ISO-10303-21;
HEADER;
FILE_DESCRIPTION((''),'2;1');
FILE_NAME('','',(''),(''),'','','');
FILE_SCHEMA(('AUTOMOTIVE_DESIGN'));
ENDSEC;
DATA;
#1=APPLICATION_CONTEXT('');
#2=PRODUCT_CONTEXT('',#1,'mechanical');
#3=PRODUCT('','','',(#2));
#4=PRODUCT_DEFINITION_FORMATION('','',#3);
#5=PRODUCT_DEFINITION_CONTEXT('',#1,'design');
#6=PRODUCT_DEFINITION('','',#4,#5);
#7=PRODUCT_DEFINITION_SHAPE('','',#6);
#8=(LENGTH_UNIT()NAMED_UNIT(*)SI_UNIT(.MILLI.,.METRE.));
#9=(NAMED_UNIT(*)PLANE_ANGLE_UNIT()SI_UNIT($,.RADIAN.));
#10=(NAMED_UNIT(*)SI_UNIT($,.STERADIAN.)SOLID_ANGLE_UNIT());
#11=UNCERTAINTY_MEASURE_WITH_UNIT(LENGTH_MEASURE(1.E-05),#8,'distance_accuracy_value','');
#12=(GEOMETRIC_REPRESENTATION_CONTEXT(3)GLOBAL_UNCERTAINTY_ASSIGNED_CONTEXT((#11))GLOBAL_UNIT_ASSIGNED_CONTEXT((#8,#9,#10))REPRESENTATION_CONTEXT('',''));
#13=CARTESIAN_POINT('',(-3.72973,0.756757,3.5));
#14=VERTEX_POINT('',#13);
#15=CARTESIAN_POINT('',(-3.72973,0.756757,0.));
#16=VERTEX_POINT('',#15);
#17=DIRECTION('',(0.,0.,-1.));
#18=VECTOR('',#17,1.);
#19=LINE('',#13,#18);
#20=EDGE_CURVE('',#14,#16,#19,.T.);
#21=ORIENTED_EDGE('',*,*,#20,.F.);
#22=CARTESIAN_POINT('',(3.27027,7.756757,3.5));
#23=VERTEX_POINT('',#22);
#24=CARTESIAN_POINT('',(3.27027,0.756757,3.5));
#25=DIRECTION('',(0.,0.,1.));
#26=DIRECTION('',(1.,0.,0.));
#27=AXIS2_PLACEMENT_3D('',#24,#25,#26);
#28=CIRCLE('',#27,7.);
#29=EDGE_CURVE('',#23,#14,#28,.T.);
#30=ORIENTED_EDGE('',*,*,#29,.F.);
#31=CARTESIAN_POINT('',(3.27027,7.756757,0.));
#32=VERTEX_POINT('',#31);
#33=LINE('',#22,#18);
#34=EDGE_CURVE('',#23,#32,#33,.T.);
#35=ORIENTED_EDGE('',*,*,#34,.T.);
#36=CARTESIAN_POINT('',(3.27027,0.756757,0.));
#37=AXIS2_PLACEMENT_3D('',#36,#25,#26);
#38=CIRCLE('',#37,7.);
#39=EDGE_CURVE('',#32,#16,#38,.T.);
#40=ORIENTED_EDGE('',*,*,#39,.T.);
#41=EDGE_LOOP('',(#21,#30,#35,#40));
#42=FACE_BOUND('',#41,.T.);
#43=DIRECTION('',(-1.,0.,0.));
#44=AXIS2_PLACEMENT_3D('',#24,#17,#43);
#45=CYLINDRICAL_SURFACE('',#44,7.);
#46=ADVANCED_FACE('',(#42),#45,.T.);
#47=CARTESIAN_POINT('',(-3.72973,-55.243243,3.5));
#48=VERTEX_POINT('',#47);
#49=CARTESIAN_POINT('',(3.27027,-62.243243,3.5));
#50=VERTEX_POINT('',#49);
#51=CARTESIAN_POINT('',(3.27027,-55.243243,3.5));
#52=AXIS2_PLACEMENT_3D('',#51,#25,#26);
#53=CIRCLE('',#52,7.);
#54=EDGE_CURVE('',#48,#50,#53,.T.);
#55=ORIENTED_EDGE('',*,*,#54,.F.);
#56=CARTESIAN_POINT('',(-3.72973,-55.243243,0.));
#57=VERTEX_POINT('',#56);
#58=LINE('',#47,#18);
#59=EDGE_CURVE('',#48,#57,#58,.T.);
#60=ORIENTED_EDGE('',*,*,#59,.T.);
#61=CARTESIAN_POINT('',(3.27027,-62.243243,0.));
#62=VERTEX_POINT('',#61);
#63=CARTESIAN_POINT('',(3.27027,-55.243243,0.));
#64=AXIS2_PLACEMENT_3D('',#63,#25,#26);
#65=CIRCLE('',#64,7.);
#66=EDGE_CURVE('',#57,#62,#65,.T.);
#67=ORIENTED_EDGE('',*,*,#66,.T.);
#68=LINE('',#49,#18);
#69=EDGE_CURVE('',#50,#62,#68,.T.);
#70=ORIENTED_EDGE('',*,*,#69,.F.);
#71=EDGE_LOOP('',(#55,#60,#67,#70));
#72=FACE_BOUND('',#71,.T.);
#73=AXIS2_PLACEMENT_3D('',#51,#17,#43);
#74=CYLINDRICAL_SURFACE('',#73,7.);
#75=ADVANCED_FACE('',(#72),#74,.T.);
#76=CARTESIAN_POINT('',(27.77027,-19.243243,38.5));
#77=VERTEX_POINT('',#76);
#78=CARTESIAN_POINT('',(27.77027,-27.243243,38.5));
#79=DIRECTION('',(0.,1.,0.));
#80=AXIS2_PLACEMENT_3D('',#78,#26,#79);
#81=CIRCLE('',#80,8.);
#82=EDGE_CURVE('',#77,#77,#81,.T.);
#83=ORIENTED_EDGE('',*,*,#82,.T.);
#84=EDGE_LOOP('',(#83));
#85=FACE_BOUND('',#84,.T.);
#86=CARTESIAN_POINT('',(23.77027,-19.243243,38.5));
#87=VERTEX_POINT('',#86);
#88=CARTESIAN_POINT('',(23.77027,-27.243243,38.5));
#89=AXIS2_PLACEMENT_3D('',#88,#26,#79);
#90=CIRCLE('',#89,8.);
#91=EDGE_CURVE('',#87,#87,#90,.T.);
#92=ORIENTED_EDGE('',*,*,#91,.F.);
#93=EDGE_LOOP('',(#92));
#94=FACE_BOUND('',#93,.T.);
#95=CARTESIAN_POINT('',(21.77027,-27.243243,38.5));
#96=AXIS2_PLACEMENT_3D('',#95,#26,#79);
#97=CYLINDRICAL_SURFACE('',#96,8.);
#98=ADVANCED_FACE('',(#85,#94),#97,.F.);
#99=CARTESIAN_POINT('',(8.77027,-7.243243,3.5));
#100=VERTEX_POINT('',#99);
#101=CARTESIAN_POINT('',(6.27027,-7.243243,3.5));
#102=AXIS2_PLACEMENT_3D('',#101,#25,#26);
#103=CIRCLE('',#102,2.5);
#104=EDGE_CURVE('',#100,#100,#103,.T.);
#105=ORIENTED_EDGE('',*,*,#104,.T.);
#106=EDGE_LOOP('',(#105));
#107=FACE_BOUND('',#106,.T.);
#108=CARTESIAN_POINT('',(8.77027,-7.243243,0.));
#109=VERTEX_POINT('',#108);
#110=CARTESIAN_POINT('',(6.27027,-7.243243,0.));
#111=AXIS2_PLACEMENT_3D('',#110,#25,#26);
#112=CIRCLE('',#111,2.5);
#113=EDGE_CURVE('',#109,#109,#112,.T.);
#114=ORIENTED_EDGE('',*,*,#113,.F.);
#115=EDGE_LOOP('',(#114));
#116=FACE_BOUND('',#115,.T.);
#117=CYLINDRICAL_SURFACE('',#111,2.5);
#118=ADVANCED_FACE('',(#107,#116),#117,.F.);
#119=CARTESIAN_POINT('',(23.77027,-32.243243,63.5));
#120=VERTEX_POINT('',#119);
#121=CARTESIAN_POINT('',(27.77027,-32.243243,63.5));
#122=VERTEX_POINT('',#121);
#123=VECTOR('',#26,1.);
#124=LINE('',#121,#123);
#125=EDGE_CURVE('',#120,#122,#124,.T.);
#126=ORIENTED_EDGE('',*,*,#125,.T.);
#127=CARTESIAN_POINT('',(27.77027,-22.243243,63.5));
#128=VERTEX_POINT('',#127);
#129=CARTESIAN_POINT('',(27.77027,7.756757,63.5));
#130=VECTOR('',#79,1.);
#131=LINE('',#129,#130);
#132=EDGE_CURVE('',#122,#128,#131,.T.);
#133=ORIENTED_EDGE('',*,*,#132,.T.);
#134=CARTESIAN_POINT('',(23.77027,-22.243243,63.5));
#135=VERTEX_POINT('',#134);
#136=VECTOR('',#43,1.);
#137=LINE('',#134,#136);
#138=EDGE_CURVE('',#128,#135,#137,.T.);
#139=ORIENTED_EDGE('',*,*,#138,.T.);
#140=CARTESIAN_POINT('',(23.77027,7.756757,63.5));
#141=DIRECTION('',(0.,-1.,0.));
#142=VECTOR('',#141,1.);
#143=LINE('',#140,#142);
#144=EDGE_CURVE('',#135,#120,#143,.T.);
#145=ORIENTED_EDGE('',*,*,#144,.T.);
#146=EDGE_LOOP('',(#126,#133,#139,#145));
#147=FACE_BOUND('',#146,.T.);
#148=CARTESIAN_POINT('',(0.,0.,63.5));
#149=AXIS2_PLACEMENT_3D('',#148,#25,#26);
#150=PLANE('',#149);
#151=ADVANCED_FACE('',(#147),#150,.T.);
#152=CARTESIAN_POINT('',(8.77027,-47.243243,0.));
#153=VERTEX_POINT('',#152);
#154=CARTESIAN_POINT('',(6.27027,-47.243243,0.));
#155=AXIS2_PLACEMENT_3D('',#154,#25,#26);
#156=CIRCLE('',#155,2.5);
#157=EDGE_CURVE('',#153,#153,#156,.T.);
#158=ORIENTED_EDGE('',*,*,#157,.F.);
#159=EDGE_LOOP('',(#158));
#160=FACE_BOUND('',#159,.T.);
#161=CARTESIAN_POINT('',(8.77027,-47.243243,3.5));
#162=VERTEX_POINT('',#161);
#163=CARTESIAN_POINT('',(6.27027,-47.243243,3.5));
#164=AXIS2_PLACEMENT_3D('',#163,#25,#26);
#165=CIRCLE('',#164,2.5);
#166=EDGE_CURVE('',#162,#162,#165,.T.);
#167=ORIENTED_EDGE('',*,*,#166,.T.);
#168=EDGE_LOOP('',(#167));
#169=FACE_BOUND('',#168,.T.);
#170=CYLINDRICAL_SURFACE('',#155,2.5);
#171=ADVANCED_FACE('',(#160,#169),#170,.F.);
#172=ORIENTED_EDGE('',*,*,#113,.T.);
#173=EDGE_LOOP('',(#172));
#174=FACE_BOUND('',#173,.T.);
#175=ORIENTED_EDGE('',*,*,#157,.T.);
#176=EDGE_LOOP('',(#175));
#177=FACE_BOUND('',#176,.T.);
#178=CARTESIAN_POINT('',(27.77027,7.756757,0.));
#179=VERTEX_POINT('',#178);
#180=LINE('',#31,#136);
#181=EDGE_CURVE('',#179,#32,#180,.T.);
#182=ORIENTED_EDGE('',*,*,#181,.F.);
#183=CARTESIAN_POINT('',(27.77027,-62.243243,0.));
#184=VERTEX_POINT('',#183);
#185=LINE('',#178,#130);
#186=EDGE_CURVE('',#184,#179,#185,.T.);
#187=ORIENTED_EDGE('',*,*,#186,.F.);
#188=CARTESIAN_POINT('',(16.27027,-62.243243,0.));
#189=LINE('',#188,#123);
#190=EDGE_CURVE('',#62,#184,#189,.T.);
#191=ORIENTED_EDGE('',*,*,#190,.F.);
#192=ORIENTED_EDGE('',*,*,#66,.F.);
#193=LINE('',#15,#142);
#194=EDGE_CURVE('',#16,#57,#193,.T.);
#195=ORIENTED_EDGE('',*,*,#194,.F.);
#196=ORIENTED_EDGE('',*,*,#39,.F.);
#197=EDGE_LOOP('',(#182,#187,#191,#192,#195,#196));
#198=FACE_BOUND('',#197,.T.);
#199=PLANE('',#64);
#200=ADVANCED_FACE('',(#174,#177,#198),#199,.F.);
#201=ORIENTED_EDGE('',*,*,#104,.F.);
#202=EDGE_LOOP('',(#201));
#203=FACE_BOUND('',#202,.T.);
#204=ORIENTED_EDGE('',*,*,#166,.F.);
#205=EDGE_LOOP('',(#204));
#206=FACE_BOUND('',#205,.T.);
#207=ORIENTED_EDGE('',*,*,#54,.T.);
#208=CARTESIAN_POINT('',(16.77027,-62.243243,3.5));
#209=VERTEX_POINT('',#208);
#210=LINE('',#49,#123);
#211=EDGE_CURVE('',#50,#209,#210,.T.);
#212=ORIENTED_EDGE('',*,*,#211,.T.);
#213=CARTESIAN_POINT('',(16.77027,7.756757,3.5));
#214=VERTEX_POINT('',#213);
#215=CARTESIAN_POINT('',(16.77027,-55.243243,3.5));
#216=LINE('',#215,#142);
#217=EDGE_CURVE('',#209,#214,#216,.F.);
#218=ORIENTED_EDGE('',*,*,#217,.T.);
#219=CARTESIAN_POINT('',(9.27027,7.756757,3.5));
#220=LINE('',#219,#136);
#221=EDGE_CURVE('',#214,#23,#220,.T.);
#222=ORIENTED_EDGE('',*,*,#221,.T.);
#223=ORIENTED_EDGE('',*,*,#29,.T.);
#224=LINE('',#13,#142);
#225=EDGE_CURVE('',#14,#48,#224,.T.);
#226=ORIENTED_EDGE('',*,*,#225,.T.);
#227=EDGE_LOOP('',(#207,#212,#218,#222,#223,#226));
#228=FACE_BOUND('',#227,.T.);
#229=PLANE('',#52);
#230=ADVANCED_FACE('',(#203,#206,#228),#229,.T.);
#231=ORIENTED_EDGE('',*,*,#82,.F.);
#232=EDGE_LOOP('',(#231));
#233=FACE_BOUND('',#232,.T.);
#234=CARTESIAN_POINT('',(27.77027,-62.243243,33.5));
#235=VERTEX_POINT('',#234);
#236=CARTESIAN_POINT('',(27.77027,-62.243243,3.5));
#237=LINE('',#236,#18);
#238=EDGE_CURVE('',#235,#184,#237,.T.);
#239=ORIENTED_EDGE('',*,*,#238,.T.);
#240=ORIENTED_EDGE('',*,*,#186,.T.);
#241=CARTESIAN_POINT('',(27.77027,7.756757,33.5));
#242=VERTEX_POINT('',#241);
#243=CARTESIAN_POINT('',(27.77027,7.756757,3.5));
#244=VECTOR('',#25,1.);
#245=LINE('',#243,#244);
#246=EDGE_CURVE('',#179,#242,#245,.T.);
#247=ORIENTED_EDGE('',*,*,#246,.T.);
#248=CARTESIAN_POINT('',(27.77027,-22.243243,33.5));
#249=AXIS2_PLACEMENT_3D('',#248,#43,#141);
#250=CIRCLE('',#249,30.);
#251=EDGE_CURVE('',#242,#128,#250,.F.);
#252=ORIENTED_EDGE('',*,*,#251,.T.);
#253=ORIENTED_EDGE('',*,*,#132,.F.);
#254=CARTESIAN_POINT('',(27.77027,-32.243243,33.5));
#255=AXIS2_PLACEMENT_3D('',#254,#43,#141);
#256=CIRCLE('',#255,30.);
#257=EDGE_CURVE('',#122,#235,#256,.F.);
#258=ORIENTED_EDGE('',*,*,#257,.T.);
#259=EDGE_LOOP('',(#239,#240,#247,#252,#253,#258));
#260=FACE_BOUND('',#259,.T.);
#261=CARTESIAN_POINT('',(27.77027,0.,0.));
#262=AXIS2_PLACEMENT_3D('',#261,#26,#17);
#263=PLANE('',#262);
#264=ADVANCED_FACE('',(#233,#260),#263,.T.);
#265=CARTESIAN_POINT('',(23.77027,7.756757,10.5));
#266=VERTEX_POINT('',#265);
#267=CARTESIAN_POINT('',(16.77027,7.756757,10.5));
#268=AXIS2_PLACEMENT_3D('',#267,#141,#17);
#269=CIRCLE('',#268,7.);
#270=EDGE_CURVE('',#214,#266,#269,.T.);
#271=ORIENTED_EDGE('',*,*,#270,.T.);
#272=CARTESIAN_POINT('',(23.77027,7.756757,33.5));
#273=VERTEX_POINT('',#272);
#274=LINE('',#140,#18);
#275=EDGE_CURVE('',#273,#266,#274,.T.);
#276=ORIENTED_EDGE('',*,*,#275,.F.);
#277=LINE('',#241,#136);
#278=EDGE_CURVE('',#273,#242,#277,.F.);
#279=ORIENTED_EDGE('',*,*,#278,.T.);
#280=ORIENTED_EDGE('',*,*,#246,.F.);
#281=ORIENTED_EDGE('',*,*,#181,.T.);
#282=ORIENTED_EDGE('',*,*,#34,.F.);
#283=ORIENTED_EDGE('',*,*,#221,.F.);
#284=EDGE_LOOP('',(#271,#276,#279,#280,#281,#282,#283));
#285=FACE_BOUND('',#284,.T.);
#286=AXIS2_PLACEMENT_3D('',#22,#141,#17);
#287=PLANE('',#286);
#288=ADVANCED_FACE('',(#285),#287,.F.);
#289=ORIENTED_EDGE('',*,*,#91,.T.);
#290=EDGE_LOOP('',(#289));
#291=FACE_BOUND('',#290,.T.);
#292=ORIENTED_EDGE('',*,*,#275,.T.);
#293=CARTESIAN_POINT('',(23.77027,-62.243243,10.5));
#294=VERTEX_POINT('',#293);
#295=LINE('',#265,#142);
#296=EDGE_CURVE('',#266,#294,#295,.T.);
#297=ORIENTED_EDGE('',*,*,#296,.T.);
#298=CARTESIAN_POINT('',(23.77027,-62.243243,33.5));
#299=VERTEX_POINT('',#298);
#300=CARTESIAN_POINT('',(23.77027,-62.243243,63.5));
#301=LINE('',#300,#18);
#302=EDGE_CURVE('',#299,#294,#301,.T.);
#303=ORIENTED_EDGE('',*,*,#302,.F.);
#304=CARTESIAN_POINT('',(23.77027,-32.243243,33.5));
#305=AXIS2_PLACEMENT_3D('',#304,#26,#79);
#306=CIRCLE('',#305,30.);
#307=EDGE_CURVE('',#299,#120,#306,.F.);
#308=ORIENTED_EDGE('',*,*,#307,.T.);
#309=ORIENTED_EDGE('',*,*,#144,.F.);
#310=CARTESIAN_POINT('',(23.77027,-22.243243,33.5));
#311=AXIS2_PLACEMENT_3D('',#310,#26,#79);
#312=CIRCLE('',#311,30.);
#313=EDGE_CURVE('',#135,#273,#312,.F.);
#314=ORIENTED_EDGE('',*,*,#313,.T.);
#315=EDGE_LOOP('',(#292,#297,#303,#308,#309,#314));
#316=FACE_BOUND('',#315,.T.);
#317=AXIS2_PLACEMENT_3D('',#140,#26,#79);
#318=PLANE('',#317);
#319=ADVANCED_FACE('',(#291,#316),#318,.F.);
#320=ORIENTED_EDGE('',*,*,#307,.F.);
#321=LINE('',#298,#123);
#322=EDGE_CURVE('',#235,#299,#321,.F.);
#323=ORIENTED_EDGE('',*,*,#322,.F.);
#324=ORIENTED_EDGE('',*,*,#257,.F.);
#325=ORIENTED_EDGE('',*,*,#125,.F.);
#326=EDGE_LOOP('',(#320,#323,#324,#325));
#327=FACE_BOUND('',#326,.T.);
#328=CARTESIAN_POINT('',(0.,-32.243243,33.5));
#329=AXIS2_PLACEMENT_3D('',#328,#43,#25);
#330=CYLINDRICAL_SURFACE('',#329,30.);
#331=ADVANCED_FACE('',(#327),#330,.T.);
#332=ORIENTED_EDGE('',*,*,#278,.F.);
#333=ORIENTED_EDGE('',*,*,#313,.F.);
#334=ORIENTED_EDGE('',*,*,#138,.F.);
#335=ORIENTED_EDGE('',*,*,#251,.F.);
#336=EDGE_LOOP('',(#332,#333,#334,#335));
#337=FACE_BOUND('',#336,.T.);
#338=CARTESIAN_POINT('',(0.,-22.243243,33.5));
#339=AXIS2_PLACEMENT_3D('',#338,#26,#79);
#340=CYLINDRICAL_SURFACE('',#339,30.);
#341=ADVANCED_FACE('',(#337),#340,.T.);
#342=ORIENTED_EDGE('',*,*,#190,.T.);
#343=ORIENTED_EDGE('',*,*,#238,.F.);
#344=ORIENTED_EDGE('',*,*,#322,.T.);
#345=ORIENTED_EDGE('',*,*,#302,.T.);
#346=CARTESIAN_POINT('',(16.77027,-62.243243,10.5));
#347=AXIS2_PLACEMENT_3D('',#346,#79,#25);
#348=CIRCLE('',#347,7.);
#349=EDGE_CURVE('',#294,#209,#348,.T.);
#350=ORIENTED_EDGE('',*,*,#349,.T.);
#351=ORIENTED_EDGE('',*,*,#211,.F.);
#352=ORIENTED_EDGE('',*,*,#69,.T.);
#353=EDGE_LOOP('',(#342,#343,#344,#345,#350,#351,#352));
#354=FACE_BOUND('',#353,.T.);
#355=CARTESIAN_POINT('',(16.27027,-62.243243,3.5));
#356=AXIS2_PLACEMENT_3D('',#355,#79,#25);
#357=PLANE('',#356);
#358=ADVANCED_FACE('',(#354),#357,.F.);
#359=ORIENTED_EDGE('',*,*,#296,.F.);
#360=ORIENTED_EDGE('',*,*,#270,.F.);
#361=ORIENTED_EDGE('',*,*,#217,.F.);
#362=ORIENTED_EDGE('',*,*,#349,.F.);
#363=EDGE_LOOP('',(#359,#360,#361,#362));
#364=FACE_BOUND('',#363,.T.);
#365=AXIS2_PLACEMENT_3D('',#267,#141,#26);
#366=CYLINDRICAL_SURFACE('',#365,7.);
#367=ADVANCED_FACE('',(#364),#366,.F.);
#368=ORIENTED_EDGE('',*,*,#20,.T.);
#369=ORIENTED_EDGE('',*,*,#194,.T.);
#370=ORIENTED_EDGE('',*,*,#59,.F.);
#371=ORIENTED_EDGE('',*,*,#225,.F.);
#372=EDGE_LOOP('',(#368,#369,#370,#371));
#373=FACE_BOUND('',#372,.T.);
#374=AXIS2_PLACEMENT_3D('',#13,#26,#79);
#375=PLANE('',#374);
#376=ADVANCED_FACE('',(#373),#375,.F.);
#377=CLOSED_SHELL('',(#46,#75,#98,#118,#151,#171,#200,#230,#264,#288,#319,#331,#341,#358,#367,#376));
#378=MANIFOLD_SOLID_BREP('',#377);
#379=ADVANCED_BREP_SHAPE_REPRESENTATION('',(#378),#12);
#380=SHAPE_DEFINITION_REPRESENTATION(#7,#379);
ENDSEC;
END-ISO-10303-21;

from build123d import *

# Parameters (mm, degrees)
BOSS_EXTRU_1_DEPTH      = 3.5
ESQUISSE2_R             = 2.5
ENL_V_MAT_EXTRU_1_DEPTH = 3.5
ESQUISSE3_W             = 4
ESQUISSE3_H             = 70
BOSS_EXTRU_2_DEPTH      = 60
ESQUISSE4_R             = 8
ENL_V_MAT_EXTRU_2_DEPTH = 6
CONG_1_R                = 30
ESQUISSE5_W             = 3.5
ESQUISSE5_H             = 70
BOSS_EXTRU_4_DEPTH      = 11.5
CONG_3_R                = 7


with BuildPart() as part:
    # Esquisse1 → Boss.-Extru.1 (new body)
    with BuildSketch(Plane.XY):
        with BuildLine():
            Line((9.27027027, 7.756756757), (16.27027027, 7.756756757))
            Line((16.27027027, 7.756756757), (16.27027027, 0.756756757))
            Line((16.27027027, 0.756756757), (16.27027027, -55.243243243))
            Line((16.27027027, -55.243243243), (16.27027027, -62.243243243))
            Line((16.27027027, -62.243243243), (9.27027027, -62.243243243))
            Line((9.27027027, -62.243243243), (3.27027027, -62.243243243))
            ThreePointArc((3.27027027, -62.243243243), (-1.679477198, -60.192990712), (-3.72972973, -55.243243243))
            Line((-3.72972973, -55.243243243), (-3.72972973, 0.756756757))
            ThreePointArc((-3.72972973, 0.756756757), (-1.679477198, 5.706504225), (3.27027027, 7.756756757))
            Line((3.27027027, 7.756756757), (9.27027027, 7.756756757))
        make_face()
    extrude(amount=BOSS_EXTRU_1_DEPTH)

    # Esquisse2 → Enlèv. mat.-Extru.1 (cut)
    with BuildSketch(Plane.XY.offset(3.5)):
        with Locations((6.27027027, -7.243243243)):
            Circle(ESQUISSE2_R)
        with Locations((6.27027027, -47.243243243)):
            Circle(ESQUISSE2_R)
    extrude(amount=-ENL_V_MAT_EXTRU_1_DEPTH, mode=Mode.SUBTRACT)



with BuildPart() as body_2:
    # Esquisse3 → Boss.-Extru.2 (new body)
    with BuildSketch(Plane.XY.offset(3.5)):
        with Locations((25.77027027, -27.243243243)):
            Rectangle(ESQUISSE3_W, ESQUISSE3_H)
    extrude(amount=BOSS_EXTRU_2_DEPTH)

    # Esquisse4 → Enlèv. mat.-Extru.2 (cut)
    with BuildSketch(Plane(origin=(27.77027027, 0, 0), x_dir=(0, 0, -1), z_dir=(1, 0, 0))):
        with Locations(Location((-38.5, -27.243243243, 0), (0, 0, 90))):
            Circle(ESQUISSE4_R)
    extrude(amount=-ENL_V_MAT_EXTRU_2_DEPTH, mode=Mode.SUBTRACT)

    # Congé1
    cong_1_edges = [body_2.edges().sort_by_distance(p)[0] for p in [
        (25.77027027, 7.756756757, 63.5),
        (25.77027027, -62.243243243, 63.5),
    ]]
    fillet(cong_1_edges, radius=CONG_1_R)


with BuildPart() as part_1:
    add(part.part)

    add(body_2.part)  # Boss.-Extru.4 merges body 2
    # Esquisse5 → Boss.-Extru.4 (add)
    with BuildSketch(Plane(origin=(16.27027027, 0, 0), x_dir=(0, 0, -1), z_dir=(1, 0, 0))):
        with Locations((-1.75, -27.243243243)):
            Rectangle(ESQUISSE5_W, ESQUISSE5_H)
    extrude(amount=BOSS_EXTRU_4_DEPTH)

    # Congé3
    cong_3_edges = [part_1.edges().sort_by_distance(p)[0] for p in [
        (23.77027027, -27.243243243, 3.5),
    ]]
    fillet(cong_3_edges, radius=CONG_3_R)


solid = part_1.part
